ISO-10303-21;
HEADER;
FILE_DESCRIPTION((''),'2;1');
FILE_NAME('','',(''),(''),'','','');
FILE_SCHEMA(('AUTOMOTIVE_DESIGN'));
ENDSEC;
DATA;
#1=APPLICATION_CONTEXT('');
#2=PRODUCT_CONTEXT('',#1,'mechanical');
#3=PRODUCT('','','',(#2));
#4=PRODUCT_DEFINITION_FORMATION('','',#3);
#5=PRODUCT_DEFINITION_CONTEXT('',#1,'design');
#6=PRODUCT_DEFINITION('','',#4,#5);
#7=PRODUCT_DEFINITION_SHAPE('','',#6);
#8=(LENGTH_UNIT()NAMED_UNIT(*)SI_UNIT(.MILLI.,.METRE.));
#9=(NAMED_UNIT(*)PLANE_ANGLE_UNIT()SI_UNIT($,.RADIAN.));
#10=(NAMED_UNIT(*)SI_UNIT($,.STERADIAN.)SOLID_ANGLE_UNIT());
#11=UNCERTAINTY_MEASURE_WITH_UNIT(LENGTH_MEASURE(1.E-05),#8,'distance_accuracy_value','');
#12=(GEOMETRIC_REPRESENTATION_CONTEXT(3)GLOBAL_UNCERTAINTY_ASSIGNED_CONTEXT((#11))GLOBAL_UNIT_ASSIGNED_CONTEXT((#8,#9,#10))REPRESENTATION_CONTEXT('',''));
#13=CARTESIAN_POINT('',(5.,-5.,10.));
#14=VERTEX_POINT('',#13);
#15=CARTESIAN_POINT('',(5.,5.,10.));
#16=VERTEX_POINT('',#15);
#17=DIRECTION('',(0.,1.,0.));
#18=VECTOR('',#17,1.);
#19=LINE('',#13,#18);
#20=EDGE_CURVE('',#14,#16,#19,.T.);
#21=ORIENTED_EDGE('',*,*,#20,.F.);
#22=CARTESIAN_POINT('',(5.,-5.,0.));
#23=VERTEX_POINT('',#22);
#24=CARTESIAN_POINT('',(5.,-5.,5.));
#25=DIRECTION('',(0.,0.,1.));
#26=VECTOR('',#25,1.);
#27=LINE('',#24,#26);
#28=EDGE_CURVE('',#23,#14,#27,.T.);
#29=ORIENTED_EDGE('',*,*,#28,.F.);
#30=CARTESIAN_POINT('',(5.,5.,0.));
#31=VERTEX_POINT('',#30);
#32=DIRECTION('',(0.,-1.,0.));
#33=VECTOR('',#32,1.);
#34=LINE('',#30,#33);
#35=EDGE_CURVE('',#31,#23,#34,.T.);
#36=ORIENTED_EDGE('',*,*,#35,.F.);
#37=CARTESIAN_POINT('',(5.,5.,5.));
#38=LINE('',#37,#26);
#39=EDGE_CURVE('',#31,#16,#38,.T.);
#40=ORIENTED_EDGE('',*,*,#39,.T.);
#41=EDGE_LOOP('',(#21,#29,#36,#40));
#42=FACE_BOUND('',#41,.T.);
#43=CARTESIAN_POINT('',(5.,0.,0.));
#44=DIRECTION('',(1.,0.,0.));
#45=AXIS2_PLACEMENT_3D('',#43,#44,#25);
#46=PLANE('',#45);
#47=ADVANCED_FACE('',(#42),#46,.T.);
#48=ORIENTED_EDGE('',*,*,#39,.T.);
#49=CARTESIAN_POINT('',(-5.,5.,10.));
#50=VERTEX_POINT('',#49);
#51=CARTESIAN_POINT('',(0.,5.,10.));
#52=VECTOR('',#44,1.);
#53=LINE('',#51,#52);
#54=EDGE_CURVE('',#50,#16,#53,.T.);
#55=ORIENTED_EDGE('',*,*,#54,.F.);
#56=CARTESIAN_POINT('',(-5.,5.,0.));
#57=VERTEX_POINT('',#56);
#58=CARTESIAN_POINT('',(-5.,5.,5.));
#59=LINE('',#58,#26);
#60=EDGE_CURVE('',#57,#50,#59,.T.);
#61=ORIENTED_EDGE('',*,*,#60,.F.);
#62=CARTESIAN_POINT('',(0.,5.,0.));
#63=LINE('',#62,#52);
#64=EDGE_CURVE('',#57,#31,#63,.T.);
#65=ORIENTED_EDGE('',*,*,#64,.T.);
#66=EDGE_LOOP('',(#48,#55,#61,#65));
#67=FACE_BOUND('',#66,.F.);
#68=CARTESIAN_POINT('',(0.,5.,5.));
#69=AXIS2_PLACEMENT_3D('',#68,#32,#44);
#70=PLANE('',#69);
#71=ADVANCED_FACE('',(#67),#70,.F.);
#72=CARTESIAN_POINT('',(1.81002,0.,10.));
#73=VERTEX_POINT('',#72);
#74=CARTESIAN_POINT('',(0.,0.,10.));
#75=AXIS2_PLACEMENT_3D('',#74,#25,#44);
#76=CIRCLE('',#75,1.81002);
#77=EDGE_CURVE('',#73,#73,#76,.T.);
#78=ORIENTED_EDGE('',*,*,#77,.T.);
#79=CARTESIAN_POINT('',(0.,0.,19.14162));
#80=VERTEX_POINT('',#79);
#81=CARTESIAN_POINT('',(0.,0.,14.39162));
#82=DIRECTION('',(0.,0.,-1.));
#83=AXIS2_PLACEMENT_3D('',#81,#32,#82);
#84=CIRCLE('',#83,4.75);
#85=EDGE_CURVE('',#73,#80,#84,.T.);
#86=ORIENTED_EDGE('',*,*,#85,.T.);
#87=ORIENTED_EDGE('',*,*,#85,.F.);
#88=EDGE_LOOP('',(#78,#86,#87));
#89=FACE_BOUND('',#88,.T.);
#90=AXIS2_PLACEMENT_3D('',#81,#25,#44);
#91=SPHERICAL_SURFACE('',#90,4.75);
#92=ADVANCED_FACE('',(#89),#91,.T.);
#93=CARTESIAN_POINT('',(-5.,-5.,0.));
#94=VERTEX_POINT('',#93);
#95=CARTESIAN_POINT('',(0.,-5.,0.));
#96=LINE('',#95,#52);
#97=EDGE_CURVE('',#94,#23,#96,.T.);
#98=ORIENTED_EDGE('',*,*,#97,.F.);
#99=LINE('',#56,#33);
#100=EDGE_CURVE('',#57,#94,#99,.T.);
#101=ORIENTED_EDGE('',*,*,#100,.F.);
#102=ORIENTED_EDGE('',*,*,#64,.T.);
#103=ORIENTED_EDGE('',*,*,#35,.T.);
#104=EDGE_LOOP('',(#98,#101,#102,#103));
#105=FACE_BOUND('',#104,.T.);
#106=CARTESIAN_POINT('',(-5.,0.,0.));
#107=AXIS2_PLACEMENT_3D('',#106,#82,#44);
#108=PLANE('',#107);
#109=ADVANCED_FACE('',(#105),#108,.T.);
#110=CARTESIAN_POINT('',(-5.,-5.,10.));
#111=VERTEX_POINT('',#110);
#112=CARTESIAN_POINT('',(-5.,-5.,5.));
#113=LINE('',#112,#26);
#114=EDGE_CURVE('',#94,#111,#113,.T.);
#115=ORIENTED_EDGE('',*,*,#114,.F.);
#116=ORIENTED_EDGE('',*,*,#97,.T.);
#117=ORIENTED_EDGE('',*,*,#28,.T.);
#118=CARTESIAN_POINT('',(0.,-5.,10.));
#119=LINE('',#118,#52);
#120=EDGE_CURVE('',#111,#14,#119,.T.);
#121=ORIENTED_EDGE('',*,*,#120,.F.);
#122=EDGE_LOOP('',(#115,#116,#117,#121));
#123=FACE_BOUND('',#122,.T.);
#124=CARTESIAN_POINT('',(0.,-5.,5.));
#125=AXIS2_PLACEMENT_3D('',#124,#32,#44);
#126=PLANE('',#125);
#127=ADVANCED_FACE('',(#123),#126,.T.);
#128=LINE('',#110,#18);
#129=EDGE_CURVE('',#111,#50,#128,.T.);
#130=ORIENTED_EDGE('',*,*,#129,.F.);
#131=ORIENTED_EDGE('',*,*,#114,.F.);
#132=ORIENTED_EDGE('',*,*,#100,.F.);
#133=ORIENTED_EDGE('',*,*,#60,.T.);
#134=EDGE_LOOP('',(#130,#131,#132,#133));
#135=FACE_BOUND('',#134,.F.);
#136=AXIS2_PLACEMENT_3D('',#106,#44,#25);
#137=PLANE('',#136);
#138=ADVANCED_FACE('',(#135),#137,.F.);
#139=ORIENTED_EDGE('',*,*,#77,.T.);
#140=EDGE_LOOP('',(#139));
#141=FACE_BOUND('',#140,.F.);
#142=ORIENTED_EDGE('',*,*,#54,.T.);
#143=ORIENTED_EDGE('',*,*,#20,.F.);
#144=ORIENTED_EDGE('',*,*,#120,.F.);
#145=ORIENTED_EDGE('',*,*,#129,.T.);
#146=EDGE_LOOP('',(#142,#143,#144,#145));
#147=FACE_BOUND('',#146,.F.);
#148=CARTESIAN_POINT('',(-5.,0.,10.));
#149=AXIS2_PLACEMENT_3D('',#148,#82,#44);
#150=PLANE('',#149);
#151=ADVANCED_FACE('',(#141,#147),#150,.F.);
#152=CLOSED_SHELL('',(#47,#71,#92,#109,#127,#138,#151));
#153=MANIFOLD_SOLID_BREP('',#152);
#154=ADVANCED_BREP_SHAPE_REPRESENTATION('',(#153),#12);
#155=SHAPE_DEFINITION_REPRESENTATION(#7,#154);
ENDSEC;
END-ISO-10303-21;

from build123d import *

# Parameters (mm, degrees)
SKETCH_W  = 10
SKETCH_H  = 10
PAD_DEPTH = 5


with BuildPart() as part:
    # Sketch → Pad (new body, symmetric)
    with BuildSketch(Plane.XZ):
        with Locations((0, 5)):
            Rectangle(SKETCH_W, SKETCH_H)
    extrude(amount=PAD_DEPTH, both=True)

    # Sketch001 → Revolution (revolve)
    with BuildSketch(Plane.XZ):
        with BuildLine():
            ThreePointArc((0, 9.64162), (4.75, 14.39162), (0, 19.14162))
            Line((0, 19.14162), (0, 9.64162))
        make_face()
    revolve(axis=Axis((0, 0, 0), (0, 0, 1)))


solid = part.part
